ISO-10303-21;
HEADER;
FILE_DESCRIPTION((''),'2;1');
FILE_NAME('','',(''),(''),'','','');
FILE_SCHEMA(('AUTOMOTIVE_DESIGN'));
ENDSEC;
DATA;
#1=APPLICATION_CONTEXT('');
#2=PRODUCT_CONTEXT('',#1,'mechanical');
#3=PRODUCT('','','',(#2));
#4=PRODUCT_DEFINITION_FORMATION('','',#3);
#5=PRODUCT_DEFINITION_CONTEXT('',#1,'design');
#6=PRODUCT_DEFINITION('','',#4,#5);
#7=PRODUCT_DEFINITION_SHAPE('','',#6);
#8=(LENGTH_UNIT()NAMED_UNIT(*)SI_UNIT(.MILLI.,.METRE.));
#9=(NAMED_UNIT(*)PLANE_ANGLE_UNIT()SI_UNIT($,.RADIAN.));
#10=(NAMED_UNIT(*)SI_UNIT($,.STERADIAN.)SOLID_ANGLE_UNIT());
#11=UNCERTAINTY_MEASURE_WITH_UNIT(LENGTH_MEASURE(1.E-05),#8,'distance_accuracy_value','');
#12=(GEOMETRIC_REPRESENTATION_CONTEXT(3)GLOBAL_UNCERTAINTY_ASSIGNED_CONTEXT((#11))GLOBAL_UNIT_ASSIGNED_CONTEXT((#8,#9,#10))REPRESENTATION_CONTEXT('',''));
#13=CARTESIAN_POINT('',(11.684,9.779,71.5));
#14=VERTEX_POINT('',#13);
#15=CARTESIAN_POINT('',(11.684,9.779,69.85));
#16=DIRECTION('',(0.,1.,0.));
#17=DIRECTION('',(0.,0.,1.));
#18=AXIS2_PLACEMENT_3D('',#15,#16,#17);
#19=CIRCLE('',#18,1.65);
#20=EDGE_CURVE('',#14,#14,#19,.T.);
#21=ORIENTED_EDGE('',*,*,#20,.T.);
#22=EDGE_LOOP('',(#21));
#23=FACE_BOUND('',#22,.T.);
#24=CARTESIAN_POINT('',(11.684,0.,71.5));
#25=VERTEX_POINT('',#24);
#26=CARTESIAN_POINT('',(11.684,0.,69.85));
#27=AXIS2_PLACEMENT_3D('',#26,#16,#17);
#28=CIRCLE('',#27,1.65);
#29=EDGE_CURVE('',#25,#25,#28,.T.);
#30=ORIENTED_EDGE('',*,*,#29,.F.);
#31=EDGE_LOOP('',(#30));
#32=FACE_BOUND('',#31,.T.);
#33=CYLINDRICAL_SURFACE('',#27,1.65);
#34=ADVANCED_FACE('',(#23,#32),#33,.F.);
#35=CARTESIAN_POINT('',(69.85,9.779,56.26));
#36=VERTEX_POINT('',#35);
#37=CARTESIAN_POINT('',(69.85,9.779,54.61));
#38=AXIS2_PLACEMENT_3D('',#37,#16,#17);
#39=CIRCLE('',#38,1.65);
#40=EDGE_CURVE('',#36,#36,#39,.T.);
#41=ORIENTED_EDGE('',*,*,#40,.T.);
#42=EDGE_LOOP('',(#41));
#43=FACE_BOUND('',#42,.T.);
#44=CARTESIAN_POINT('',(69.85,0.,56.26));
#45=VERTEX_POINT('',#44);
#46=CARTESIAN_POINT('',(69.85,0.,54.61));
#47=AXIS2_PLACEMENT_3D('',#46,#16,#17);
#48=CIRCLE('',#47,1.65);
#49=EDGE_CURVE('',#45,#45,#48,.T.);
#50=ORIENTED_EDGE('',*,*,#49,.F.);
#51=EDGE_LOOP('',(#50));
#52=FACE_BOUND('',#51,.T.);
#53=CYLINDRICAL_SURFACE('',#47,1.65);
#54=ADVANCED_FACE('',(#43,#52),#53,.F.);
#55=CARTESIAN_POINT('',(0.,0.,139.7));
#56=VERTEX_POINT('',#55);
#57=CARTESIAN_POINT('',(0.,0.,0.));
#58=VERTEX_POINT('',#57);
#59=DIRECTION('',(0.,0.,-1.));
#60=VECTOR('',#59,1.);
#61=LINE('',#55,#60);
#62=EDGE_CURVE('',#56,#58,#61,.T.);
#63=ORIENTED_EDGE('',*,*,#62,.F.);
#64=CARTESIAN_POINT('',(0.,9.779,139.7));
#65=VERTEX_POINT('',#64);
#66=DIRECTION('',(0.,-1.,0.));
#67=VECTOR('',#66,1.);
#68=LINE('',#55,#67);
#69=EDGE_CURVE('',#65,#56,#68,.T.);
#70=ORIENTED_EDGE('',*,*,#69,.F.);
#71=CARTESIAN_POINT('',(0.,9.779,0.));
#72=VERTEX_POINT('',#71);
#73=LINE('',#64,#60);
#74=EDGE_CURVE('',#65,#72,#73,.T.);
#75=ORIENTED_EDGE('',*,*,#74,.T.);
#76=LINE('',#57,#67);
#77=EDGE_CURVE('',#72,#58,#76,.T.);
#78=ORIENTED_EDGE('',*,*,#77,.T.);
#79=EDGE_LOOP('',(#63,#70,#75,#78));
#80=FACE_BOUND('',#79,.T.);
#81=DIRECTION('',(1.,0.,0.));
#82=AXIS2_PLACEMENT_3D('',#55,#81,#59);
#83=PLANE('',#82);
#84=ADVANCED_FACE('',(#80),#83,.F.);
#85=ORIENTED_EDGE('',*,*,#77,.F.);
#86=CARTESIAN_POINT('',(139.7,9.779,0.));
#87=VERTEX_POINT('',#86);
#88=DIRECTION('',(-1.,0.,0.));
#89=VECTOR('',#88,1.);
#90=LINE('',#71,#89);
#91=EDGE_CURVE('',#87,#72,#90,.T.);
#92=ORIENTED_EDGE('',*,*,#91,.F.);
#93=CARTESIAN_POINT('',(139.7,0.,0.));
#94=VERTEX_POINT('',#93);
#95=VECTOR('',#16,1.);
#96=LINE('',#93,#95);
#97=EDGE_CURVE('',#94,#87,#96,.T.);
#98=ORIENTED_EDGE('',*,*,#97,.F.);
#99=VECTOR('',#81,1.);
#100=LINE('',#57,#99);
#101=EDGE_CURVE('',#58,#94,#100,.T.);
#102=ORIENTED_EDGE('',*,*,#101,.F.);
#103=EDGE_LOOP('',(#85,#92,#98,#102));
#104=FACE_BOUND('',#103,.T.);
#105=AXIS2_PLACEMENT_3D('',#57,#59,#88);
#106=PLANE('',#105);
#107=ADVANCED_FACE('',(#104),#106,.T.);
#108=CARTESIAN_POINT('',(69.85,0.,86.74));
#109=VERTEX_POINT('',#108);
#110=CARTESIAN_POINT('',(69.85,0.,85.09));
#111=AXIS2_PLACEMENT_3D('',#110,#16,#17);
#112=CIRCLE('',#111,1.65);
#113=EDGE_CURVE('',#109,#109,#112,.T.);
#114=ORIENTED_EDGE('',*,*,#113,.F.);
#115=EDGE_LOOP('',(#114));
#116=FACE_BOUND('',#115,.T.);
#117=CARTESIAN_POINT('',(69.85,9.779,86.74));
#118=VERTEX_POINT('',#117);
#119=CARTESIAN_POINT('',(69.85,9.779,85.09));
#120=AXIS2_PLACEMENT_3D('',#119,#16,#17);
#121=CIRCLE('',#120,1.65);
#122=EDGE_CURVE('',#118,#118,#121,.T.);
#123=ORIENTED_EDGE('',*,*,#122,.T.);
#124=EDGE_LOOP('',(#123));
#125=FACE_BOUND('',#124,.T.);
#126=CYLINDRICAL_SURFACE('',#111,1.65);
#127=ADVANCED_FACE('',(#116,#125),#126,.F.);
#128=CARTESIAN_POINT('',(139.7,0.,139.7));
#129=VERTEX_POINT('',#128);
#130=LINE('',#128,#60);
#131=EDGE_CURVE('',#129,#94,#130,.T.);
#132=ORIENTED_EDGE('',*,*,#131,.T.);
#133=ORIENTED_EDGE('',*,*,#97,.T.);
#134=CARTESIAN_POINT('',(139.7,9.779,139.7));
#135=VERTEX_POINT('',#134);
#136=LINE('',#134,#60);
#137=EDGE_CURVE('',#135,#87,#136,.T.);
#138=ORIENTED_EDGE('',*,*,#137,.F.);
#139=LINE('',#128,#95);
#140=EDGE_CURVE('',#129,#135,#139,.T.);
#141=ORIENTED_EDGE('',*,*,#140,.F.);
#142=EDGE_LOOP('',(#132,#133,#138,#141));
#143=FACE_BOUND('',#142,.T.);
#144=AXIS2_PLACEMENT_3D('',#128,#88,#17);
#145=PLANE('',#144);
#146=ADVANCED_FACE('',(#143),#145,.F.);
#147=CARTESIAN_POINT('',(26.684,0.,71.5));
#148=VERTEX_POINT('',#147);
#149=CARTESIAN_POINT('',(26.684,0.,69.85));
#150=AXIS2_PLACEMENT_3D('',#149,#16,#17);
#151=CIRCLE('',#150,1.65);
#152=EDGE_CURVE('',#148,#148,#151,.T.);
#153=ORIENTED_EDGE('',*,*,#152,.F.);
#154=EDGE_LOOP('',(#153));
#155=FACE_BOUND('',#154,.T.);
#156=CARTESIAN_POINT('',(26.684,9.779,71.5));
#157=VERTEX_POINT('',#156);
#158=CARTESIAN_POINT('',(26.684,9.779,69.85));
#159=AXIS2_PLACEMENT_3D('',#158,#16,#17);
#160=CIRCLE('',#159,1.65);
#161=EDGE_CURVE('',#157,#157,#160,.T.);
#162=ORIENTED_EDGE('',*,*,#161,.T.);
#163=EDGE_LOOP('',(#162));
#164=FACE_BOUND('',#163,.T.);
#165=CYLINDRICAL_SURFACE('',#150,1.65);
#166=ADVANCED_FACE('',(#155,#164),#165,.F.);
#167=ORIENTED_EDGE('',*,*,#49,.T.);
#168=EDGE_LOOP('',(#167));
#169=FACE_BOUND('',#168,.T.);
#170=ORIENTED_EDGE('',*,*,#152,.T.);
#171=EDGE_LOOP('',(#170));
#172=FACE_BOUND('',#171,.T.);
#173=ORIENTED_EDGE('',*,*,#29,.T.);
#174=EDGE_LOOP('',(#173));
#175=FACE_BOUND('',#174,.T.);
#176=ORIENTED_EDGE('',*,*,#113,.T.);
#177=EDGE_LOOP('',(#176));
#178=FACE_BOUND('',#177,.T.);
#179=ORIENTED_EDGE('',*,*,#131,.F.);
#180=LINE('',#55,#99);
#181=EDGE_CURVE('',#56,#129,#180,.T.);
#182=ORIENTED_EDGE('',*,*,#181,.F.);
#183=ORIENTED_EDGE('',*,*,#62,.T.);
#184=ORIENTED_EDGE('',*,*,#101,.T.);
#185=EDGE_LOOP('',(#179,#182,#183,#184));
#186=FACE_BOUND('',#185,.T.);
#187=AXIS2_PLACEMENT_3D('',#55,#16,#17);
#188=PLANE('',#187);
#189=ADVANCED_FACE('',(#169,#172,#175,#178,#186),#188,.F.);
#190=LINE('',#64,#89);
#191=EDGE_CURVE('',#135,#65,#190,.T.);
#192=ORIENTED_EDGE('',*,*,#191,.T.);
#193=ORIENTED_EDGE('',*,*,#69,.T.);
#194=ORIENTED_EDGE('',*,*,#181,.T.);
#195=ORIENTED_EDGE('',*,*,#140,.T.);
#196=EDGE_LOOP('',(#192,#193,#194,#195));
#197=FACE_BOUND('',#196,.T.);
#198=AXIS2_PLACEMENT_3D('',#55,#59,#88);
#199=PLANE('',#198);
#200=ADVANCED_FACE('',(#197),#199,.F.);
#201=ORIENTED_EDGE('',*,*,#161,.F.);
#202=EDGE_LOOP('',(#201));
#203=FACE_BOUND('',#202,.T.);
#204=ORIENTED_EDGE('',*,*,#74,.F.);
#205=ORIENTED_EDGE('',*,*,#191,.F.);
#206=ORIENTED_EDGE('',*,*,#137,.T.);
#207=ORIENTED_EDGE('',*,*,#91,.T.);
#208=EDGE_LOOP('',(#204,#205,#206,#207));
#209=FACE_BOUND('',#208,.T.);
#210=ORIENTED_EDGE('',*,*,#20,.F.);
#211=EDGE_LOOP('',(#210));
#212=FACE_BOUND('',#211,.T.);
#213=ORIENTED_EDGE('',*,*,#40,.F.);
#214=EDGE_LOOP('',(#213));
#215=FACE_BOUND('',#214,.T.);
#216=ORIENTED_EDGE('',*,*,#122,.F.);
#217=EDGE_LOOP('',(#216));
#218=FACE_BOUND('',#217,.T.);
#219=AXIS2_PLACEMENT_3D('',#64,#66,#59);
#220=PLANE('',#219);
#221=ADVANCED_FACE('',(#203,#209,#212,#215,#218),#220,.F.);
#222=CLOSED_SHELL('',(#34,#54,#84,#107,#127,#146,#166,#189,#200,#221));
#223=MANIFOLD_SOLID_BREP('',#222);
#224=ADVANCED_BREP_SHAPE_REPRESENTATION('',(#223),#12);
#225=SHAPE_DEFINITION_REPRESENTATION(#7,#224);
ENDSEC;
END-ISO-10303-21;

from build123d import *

# Parameters (mm, degrees)
SKETCH1_W           = 139.7
SKETCH1_H           = 9.779
BOSS_EXTRUDE1_DEPTH = 139.7
SKETCH2_R           = 1.65
CUT_EXTRUDE1_DEPTH  = 198.807504511
CUT_EXTRUDE2_DEPTH  = 198.807504511


with BuildPart() as part:
    # Sketch1 → Boss-Extrude1 (new body)
    with BuildSketch(Plane.XY):
        with Locations((69.85, 4.8895)):
            Rectangle(SKETCH1_W, SKETCH1_H)
    extrude(amount=BOSS_EXTRUDE1_DEPTH)

    # Sketch2 → Cut-Extrude1 (cut, through all)
    with BuildSketch(Plane(origin=(0, 9.779, 0), x_dir=(1, 0, 0), z_dir=(0, 1, 0))):
        with Locations(Location((11.684, -69.85, 0), (0, 0, 270))):
            Circle(SKETCH2_R)
        with Locations(Location((26.684, -69.85, 0), (0, 0, 270))):
            Circle(SKETCH2_R)
    extrude(amount=-CUT_EXTRUDE1_DEPTH, mode=Mode.SUBTRACT)

    # Sketch3 → Cut-Extrude2 (cut, through all)
    with BuildSketch(Plane(origin=(0, 9.779, 0), x_dir=(1, 0, 0), z_dir=(0, 1, 0))):
        with BuildLine():
            ThreePointArc((71.5, -54.61), (71.016726189, -53.443273811), (69.85, -52.96))
            Line((69.85, -52.96), (69.85, -54.61))
            Line((69.85, -54.61), (69.85, -56.26))
            ThreePointArc((69.85, -56.26), (71.016726189, -55.776726189), (71.5, -54.61))
        make_face()
        with BuildLine():
            Line((69.85, -54.61), (69.85, -52.96))
            ThreePointArc((69.85, -52.96), (68.2, -54.61), (69.85, -56.26))
            Line((69.85, -56.26), (69.85, -54.61))
        make_face()
        with BuildLine():
            ThreePointArc((71.5, -85.09), (71.016726189, -83.923273811), (69.85, -83.44))
            Line((69.85, -83.44), (69.85, -85.09))
            Line((69.85, -85.09), (69.85, -86.74))
            ThreePointArc((69.85, -86.74), (71.016726189, -86.256726189), (71.5, -85.09))
        make_face()
        with BuildLine():
            Line((69.85, -85.09), (69.85, -83.44))
            ThreePointArc((69.85, -83.44), (68.2, -85.09), (69.85, -86.74))
            Line((69.85, -86.74), (69.85, -85.09))
        make_face()
    extrude(amount=-CUT_EXTRUDE2_DEPTH, mode=Mode.SUBTRACT)


solid = part.part
